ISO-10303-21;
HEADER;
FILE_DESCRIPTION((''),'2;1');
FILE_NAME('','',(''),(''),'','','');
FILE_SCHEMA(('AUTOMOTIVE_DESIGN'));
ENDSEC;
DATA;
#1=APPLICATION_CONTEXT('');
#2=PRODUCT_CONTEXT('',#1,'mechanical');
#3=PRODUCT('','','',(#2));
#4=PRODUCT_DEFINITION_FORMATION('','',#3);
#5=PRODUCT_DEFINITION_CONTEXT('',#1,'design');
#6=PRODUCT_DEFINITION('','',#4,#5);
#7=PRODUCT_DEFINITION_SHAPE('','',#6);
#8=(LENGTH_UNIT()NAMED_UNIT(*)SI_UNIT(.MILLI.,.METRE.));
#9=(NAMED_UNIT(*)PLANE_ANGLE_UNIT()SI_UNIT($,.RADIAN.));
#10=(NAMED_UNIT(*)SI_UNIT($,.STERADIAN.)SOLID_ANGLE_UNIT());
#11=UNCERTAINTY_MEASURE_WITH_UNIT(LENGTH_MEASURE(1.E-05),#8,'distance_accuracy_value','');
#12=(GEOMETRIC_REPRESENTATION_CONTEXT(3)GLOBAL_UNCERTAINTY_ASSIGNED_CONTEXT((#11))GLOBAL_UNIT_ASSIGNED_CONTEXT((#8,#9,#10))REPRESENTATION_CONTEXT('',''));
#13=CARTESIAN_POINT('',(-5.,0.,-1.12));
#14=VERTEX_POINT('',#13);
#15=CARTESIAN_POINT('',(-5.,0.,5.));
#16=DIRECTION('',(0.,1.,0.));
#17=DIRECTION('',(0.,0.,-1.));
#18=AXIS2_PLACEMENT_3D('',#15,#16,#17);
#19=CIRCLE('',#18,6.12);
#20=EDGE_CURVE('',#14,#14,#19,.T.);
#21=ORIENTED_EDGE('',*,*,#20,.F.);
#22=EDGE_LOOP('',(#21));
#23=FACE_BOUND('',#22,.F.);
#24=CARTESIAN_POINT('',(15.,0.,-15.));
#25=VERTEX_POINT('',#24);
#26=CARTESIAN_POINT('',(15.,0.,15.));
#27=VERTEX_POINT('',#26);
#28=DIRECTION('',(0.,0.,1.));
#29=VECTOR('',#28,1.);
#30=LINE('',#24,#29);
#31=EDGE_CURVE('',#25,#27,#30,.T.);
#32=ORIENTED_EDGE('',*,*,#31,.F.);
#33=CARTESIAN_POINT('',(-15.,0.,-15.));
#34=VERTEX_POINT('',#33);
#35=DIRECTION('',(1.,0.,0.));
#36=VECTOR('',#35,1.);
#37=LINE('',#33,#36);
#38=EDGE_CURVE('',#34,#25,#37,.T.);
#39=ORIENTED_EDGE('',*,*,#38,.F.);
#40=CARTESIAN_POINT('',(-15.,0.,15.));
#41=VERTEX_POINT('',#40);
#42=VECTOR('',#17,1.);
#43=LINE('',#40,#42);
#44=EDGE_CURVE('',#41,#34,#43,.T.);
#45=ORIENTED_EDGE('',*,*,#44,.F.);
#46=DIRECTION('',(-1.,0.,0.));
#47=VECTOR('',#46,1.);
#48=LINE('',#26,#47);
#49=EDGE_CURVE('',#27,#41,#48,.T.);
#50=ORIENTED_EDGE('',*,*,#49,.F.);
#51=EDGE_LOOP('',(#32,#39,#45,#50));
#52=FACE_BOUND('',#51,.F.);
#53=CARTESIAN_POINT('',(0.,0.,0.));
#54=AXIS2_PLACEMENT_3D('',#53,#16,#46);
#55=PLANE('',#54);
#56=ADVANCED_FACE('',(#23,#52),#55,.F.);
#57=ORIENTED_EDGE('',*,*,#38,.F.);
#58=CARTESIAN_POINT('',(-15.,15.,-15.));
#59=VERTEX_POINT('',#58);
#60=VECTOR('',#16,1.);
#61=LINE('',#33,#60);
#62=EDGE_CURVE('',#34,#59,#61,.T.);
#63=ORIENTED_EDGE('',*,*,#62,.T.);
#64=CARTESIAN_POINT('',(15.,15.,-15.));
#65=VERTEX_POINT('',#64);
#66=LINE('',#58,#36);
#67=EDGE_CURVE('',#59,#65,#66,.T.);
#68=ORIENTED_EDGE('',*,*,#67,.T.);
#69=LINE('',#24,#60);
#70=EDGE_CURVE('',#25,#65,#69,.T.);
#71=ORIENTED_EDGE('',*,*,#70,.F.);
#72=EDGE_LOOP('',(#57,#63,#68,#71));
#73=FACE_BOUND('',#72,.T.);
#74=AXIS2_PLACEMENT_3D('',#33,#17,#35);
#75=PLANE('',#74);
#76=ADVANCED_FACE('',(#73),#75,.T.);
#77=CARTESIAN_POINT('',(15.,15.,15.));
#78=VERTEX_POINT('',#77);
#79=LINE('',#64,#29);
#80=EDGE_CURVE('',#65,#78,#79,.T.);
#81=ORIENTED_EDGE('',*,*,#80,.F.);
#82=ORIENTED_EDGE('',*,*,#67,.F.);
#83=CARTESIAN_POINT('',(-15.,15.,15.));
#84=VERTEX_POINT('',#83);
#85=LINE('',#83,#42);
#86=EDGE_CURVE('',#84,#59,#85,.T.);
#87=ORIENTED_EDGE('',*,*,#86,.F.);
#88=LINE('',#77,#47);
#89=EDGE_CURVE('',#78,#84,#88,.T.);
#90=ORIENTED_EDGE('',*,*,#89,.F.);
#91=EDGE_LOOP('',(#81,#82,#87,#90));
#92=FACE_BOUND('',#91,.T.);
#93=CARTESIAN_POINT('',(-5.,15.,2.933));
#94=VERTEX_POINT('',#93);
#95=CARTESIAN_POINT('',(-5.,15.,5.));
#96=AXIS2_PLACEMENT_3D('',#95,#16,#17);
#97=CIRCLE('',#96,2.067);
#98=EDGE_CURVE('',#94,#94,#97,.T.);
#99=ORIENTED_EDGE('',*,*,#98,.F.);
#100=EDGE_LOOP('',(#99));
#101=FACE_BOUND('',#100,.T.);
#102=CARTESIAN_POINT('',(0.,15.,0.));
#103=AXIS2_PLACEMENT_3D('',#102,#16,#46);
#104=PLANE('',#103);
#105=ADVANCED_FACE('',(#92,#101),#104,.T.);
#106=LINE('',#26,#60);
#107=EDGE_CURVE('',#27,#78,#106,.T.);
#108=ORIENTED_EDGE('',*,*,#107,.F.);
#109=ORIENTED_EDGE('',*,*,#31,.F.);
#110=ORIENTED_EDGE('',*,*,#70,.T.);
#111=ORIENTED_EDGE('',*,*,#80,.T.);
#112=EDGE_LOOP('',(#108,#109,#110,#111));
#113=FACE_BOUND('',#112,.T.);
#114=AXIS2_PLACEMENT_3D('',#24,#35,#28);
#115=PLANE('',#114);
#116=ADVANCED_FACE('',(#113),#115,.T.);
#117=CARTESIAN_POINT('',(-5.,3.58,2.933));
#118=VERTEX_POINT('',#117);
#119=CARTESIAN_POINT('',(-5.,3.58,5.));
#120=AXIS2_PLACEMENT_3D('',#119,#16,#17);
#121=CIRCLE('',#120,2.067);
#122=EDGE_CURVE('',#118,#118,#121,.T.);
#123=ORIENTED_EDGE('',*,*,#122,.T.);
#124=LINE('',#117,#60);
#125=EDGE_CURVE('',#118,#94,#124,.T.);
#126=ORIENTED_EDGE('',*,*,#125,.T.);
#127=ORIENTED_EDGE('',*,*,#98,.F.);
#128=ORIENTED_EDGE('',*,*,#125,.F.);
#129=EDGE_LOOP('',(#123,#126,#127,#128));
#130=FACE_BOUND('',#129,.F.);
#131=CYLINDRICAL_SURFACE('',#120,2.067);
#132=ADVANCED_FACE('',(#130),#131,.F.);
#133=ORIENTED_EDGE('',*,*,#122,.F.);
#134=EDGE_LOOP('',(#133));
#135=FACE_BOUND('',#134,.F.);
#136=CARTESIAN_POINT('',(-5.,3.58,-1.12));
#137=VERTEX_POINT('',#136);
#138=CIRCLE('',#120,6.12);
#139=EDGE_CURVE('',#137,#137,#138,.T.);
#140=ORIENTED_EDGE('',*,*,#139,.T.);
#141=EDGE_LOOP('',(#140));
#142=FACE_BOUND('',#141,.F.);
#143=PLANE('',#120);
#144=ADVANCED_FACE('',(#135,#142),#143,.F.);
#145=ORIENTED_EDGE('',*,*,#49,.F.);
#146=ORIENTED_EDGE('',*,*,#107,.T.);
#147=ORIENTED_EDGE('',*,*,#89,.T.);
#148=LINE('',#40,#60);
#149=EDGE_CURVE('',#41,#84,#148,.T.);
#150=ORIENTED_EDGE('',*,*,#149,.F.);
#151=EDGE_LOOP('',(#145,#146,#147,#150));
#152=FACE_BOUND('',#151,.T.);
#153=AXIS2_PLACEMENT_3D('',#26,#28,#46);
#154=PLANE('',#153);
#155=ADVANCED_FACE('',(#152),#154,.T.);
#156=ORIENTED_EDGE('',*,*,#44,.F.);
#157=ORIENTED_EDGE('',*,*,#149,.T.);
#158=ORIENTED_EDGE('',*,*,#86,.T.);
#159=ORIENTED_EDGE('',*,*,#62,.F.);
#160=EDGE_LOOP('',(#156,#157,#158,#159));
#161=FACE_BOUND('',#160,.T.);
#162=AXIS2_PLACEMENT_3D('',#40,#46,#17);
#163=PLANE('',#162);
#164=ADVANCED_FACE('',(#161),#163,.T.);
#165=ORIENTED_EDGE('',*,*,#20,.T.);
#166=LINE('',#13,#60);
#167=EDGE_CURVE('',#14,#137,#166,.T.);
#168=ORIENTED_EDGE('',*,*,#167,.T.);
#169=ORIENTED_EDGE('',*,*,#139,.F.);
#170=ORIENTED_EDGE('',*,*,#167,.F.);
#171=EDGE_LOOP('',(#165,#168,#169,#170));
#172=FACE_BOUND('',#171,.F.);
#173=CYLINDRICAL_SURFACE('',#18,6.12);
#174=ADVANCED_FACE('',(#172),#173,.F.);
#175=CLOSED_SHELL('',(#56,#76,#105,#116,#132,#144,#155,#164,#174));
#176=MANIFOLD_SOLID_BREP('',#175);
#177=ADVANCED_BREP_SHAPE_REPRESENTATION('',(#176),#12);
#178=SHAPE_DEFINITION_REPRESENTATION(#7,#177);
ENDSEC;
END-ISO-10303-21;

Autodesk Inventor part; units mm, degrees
ref_plane "YZ Plane" through (0, 0, 0) normal (1, 0, 0) x (0, 1, 0)
ref_plane "XZ Plane" through (0, 0, 0) normal (0, 1, 0) x (-1, 0, 0)
ref_plane "XY Plane" through (0, 0, 0) normal (0, 0, 1) x (1, 0, 0)
sketch "Sketch1" plane through (0, 0, 0) normal (0, 1, 0) x (-1, 0, 0)
  line L0 (15, -15) -> (-15, -15)
  line L1 (-15, -15) -> (-15, 15)
  line L2 (-15, 15) -> (15, 15)
  line L3 (15, 15) -> (15, -15)
  line L4 (15, -15) -> (-15, 15) construction
  line L5 (-15, -15) -> (15, 15) construction
  point P0 (0, 0)
  point P1 (5, 5)
  dimension "d0" = 30
  dimension "d1" = 30
  dimension "d2" = 10
  dimension "d3" = 10
extrude "Extrusion1" add sketch "Sketch1" along normal blind 15
hole "Hole1" at (-5, 0, 5) direction (0, 1, 0) diameter 4.134 end through all counterbore diameter 12.24 counterbore depth 3.58 thread size "M5x0.8" class "6H" standard "ANSI Metric M Profile"
properties part number "Soporte_Base_Madera" material "PC/ABS Plastic"
